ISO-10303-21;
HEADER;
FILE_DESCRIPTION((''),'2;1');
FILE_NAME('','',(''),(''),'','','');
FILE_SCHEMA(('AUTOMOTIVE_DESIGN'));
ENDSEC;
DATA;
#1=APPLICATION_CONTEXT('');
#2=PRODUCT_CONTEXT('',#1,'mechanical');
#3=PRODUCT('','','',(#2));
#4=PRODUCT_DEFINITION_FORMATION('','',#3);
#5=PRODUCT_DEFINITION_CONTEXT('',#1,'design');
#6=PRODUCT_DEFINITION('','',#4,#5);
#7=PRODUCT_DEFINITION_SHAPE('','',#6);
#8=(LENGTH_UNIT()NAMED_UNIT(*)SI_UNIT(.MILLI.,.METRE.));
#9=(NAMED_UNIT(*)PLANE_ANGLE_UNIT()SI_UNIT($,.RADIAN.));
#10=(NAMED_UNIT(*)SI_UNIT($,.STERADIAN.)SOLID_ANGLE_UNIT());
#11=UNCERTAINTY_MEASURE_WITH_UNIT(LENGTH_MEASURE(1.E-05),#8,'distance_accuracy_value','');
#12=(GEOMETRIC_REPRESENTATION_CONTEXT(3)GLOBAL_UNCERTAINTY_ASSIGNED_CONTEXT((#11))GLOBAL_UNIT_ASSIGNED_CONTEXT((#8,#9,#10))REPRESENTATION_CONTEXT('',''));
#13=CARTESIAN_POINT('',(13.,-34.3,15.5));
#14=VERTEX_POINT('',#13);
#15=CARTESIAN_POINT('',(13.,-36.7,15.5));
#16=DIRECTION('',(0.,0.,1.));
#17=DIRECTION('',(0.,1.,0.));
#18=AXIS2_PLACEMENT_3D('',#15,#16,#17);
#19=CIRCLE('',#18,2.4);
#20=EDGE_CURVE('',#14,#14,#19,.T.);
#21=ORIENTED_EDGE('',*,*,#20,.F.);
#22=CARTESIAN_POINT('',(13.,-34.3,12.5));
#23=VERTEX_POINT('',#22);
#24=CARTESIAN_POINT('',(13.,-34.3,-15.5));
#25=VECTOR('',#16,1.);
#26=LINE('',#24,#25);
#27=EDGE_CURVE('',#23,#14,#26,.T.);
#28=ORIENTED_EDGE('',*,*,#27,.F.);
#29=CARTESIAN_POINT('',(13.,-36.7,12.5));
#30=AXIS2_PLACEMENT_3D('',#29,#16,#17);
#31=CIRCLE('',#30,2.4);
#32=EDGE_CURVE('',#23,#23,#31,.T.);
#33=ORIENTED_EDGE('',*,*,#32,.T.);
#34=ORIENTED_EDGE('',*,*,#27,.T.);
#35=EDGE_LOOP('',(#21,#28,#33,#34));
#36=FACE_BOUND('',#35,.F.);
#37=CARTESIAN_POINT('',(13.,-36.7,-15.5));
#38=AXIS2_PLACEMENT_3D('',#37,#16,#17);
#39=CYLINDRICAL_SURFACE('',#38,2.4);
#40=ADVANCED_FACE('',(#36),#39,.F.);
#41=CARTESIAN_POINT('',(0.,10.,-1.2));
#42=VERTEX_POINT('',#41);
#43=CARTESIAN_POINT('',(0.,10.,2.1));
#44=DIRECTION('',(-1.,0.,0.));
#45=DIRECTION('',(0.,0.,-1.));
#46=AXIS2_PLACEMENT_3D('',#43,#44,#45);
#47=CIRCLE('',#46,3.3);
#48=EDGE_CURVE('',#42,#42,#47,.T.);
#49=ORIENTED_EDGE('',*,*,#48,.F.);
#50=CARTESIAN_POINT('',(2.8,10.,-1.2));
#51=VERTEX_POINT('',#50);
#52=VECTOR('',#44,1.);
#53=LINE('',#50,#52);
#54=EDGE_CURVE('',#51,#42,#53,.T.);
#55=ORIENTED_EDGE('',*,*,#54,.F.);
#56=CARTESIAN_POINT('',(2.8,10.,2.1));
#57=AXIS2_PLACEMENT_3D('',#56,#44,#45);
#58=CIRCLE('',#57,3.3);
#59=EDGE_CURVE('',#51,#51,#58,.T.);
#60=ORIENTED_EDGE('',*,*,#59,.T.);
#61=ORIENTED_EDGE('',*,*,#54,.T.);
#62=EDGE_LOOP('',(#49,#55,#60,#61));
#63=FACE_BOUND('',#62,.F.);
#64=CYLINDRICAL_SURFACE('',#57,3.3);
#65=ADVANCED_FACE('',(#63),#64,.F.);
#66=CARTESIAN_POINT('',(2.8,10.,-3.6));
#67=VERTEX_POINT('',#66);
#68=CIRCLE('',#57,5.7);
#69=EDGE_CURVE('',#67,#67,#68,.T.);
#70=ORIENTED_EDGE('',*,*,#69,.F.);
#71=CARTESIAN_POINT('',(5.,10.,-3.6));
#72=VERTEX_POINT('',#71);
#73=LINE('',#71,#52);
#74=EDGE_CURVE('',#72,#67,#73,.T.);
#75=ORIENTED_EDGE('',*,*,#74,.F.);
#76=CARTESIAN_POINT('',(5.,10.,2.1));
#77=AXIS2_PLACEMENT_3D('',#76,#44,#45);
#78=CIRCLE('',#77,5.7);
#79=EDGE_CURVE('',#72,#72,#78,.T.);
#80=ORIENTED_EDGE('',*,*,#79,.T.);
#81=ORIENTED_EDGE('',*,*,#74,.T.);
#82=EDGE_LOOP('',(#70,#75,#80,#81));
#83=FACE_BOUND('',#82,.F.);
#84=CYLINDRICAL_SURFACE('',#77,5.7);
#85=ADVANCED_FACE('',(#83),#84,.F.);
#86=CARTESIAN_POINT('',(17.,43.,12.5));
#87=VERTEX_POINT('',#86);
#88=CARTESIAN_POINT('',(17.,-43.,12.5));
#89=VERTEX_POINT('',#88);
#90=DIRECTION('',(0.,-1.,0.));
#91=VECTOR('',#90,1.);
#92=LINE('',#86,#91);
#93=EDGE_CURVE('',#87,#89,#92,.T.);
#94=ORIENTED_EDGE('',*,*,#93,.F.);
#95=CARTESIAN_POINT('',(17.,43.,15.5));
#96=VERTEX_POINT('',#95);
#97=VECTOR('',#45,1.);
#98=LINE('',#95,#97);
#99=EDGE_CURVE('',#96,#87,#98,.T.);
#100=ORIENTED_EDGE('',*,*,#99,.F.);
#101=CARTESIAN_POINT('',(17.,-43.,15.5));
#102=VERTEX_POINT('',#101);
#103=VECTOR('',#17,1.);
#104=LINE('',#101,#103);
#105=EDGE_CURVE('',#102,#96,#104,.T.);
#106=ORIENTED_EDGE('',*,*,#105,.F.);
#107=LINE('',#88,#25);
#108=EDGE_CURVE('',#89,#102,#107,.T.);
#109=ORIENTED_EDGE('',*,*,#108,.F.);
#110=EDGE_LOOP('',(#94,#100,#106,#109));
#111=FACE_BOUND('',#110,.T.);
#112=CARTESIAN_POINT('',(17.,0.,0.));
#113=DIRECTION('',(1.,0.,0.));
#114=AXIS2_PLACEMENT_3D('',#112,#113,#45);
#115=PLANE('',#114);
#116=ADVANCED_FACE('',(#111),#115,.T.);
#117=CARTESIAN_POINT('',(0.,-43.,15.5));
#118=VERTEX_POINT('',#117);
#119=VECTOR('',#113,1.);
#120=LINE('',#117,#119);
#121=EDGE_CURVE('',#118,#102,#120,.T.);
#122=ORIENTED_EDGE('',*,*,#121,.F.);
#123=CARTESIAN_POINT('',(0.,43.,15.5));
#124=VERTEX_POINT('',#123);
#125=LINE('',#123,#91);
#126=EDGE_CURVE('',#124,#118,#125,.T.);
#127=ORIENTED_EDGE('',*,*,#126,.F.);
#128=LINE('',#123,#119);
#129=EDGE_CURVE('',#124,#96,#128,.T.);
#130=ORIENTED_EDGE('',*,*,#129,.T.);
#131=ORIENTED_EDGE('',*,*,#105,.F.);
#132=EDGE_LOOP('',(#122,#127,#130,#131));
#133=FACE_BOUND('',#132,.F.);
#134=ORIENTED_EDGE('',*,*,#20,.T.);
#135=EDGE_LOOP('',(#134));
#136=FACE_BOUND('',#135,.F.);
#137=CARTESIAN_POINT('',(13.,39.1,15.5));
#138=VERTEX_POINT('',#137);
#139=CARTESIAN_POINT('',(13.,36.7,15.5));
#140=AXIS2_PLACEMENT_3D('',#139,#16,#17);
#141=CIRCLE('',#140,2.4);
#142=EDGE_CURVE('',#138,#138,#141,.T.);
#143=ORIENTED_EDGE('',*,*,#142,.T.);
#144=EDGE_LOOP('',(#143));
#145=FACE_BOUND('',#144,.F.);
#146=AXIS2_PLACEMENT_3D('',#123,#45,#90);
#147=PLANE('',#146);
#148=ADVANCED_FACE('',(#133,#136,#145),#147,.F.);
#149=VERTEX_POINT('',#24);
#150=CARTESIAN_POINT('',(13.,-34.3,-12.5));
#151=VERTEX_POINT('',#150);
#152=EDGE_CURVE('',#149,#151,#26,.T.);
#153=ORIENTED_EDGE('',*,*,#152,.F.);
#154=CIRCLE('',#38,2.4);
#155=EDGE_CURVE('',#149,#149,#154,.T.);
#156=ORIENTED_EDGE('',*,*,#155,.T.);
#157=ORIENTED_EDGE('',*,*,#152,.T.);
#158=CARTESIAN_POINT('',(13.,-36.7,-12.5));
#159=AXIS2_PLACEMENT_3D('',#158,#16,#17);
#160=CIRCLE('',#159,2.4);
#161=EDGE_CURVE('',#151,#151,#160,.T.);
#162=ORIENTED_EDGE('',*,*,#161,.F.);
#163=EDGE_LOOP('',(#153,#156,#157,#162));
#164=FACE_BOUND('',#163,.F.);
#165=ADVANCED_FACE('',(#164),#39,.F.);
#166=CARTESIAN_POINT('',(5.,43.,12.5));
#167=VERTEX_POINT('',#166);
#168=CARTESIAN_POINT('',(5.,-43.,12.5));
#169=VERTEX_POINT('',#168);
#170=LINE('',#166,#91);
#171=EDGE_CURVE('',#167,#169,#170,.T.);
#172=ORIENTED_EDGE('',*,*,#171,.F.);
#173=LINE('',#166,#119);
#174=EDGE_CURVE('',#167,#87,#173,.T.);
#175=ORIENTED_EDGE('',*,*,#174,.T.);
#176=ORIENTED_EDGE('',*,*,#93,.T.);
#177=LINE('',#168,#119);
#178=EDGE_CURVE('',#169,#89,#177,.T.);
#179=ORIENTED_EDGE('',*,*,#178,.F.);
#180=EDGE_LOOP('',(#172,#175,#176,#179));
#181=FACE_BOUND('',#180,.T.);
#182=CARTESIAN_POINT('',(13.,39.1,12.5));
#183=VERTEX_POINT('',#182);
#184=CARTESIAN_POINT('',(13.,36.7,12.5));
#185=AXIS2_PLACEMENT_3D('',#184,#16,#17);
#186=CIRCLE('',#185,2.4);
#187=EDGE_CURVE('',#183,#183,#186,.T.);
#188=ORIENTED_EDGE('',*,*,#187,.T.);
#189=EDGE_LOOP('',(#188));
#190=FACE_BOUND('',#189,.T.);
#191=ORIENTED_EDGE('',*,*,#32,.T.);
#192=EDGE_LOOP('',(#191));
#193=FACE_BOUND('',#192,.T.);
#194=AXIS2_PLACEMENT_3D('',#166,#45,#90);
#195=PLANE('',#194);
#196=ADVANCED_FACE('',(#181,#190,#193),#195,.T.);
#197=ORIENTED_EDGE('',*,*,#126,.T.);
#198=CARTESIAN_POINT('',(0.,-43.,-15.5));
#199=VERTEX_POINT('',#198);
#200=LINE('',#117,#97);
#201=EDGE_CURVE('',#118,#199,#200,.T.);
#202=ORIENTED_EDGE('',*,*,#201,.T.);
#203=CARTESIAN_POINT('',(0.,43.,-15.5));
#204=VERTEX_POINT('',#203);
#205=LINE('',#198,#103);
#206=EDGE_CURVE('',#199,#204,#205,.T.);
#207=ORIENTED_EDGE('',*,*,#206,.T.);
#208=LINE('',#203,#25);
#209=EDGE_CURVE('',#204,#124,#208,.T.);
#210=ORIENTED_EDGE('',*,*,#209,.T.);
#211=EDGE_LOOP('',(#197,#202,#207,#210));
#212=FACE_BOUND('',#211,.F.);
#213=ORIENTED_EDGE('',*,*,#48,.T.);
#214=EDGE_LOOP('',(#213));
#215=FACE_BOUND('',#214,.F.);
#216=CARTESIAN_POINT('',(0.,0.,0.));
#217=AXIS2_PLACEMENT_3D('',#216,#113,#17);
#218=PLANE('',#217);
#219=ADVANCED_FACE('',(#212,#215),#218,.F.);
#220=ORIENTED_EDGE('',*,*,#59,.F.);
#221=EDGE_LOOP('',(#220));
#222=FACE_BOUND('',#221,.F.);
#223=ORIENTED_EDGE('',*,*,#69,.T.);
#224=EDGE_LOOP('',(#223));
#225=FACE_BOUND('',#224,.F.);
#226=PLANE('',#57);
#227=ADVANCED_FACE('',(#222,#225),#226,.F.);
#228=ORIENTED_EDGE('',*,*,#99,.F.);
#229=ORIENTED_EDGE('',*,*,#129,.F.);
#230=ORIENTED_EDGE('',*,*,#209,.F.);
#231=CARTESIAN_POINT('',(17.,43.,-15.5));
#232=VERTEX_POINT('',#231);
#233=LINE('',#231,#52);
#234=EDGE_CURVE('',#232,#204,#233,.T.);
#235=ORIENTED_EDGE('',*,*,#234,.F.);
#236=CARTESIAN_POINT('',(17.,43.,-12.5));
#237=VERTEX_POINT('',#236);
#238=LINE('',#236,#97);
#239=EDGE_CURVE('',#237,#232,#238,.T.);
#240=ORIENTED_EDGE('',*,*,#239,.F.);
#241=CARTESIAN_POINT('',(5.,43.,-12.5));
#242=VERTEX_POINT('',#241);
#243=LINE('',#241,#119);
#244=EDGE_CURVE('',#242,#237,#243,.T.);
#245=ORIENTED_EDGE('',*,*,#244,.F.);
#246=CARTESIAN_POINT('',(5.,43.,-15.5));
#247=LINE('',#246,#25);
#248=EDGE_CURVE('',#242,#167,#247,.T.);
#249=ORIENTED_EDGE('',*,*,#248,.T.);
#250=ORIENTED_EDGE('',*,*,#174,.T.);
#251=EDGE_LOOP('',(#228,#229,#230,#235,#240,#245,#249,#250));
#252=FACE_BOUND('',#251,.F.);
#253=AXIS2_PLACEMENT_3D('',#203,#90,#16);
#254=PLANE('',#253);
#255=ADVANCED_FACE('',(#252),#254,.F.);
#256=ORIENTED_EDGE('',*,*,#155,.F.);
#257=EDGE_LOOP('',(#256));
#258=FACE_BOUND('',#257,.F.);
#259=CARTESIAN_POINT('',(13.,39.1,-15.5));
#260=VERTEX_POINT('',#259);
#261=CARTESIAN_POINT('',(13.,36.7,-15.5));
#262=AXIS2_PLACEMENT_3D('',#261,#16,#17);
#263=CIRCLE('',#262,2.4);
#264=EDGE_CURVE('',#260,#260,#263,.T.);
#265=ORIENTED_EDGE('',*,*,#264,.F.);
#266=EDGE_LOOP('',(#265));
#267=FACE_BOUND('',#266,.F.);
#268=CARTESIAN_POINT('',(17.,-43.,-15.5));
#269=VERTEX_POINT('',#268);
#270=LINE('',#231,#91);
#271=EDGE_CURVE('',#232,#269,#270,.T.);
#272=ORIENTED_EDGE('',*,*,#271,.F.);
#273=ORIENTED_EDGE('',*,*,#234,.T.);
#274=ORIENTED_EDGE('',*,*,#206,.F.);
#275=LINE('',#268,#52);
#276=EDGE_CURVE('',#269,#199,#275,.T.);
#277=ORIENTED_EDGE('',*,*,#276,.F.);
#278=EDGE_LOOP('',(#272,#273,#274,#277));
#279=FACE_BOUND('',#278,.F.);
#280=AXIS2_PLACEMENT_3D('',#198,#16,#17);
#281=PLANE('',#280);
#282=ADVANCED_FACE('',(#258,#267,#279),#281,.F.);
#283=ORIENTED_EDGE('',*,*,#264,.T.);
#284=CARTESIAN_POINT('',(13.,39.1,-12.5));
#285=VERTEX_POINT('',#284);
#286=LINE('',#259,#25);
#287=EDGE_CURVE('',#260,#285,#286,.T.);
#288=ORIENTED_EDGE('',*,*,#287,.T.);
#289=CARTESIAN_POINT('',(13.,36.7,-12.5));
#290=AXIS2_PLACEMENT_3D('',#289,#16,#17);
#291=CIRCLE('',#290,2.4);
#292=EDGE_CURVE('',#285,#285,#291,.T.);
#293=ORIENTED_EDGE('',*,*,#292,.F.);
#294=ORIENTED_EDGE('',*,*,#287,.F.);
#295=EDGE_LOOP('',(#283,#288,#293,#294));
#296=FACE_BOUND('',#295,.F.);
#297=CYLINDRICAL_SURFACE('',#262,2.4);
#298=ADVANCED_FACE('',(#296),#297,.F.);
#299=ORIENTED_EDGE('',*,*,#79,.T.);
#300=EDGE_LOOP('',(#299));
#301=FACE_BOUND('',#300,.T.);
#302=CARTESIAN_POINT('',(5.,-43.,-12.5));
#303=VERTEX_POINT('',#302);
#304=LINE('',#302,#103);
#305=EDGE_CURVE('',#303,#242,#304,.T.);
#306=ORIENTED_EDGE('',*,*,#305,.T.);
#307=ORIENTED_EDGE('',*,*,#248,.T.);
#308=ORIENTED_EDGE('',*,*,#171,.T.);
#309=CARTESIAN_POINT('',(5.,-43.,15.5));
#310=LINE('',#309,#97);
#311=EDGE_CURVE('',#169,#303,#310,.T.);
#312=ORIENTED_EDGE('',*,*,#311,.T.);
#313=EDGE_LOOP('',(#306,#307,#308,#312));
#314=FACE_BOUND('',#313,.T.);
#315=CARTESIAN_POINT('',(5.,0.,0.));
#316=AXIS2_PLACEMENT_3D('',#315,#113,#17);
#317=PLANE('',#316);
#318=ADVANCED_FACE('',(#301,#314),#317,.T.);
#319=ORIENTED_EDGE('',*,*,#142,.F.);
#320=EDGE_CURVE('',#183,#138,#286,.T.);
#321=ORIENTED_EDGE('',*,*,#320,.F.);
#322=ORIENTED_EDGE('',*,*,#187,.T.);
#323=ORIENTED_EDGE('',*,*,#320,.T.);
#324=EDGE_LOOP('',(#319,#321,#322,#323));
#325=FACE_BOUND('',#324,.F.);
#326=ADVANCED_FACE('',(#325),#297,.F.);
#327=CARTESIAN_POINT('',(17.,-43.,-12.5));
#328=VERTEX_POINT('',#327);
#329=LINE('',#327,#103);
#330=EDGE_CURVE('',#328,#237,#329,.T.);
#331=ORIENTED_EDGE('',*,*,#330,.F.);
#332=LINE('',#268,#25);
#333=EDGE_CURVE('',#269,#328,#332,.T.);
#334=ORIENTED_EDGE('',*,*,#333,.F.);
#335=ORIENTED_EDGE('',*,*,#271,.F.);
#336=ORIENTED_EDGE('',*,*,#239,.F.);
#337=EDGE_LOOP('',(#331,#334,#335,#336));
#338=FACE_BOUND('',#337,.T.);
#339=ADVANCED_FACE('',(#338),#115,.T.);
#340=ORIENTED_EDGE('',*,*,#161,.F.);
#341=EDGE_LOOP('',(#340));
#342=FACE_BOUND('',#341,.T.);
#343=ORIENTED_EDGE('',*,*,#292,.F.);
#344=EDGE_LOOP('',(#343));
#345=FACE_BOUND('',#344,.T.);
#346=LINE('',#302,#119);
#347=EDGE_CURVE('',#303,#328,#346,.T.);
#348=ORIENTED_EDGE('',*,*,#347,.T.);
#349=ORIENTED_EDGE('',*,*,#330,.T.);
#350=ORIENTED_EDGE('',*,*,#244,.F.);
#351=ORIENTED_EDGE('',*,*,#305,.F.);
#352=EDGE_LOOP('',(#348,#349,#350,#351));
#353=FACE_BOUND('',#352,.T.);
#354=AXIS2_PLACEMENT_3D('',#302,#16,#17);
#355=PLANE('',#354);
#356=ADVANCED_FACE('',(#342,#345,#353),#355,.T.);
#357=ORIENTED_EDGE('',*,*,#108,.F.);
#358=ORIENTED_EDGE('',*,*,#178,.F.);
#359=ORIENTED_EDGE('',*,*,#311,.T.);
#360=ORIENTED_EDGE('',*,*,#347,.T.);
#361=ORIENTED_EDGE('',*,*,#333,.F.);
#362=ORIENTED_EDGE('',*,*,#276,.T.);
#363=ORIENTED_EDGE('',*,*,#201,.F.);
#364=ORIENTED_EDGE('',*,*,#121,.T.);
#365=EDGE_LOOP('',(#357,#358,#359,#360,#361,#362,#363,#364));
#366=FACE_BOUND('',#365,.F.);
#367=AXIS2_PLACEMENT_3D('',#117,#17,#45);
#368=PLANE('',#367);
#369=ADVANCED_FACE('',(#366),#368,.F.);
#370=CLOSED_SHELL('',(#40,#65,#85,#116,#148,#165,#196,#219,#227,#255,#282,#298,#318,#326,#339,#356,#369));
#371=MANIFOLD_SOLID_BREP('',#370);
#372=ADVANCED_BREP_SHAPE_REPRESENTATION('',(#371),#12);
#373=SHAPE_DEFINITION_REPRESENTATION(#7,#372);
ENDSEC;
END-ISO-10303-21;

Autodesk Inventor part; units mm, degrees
ref_plane "YZ Plane" through (0, 0, 0) normal (1, 0, 0) x (0, 1, 0)
ref_plane "XZ Plane" through (0, 0, 0) normal (0, 1, 0) x (-1, 0, 0)
ref_plane "XY Plane" through (0, 0, 0) normal (0, 0, 1) x (1, 0, 0)
sketch "Sketch1" plane through (0, 0, 0) normal (1, 0, 0) x (0, 1, 0)
  line L0 (43, 15.5) -> (-43, 15.5)
  line L1 (-43, 15.5) -> (-43, -15.5)
  line L2 (-43, -15.5) -> (43, -15.5)
  line L3 (43, -15.5) -> (43, 15.5)
  point P0 (0, 0)
  point P1 (0, -15.5)
  point P2 (43, 0)
  dimension "d0" = 86
  dimension "d1" = 31
extrude "Extrusion1" add sketch "Sketch1" along normal blind 5
sketch "Sketch2" plane through (5, 0, 0) normal (1, 0, 0) x (0, 0, -1)
  line L0 (-15.5, 43) -> (-12.5, 43)
  line L1 (-12.5, 43) -> (-12.5, -43)
  line L2 (-12.5, -43) -> (-15.5, -43)
  line L3 (-15.5, -43) -> (-15.5, 43)
  line L4 (12.5, 43) -> (15.5, 43)
  line L5 (15.5, 43) -> (15.5, -43)
  line L6 (15.5, -43) -> (12.5, -43)
  line L7 (12.5, -43) -> (12.5, 43)
  point P0 (0, 0)
  dimension "d4" = 3
  dimension "d5" = 3
extrude "Extrusion2" add sketch "Sketch2" along normal blind 12
sketch "Sketch3" plane through (0, -43, -15.5) normal (0, 0, -1) x (-1, 0, 0)
  line L0 (0, 86) -> (-17, 86) construction
  line L1 (-5, 0) -> (-5, 86) construction
  line L2 (-35.4485, 43) -> (35.4485, 43) construction
  line L3 (0, 0) -> (0, 86) construction
  point P0 (0, 43)
  point P1 (-13, 79.7)
  point P2 (0, 43)
  point P3 (-13, 6.3)
  dimension "d8" = 6.3
  dimension "d9" = 8
hole "Hole1" at (13, 36.7, -15.5) at (13, -36.7, -15.5) direction (0, 0, 1) diameter 4.8 end through all
sketch "Sketch4" plane through (5, 0, 0) normal (1, 0, 0) x (0, 0, -1)
  line L0 (-15.5, 43) -> (-15.5, -43) projected
  point P0 (0, 0)
  point P1 (-2.1, 10)
  dimension "d25" = 13.4
  dimension "d26" = 10
hole "Hole2" at (5, 10, 2.1) direction (-1, 0, 0) diameter 6.6 depth 5 counterbore diameter 11.4 counterbore depth 2.2 clearance for "Countersunk Flat Head Screw ISO 2009/7046" size "M6" standard "ISO"
properties part number "TH_fan_holder"
